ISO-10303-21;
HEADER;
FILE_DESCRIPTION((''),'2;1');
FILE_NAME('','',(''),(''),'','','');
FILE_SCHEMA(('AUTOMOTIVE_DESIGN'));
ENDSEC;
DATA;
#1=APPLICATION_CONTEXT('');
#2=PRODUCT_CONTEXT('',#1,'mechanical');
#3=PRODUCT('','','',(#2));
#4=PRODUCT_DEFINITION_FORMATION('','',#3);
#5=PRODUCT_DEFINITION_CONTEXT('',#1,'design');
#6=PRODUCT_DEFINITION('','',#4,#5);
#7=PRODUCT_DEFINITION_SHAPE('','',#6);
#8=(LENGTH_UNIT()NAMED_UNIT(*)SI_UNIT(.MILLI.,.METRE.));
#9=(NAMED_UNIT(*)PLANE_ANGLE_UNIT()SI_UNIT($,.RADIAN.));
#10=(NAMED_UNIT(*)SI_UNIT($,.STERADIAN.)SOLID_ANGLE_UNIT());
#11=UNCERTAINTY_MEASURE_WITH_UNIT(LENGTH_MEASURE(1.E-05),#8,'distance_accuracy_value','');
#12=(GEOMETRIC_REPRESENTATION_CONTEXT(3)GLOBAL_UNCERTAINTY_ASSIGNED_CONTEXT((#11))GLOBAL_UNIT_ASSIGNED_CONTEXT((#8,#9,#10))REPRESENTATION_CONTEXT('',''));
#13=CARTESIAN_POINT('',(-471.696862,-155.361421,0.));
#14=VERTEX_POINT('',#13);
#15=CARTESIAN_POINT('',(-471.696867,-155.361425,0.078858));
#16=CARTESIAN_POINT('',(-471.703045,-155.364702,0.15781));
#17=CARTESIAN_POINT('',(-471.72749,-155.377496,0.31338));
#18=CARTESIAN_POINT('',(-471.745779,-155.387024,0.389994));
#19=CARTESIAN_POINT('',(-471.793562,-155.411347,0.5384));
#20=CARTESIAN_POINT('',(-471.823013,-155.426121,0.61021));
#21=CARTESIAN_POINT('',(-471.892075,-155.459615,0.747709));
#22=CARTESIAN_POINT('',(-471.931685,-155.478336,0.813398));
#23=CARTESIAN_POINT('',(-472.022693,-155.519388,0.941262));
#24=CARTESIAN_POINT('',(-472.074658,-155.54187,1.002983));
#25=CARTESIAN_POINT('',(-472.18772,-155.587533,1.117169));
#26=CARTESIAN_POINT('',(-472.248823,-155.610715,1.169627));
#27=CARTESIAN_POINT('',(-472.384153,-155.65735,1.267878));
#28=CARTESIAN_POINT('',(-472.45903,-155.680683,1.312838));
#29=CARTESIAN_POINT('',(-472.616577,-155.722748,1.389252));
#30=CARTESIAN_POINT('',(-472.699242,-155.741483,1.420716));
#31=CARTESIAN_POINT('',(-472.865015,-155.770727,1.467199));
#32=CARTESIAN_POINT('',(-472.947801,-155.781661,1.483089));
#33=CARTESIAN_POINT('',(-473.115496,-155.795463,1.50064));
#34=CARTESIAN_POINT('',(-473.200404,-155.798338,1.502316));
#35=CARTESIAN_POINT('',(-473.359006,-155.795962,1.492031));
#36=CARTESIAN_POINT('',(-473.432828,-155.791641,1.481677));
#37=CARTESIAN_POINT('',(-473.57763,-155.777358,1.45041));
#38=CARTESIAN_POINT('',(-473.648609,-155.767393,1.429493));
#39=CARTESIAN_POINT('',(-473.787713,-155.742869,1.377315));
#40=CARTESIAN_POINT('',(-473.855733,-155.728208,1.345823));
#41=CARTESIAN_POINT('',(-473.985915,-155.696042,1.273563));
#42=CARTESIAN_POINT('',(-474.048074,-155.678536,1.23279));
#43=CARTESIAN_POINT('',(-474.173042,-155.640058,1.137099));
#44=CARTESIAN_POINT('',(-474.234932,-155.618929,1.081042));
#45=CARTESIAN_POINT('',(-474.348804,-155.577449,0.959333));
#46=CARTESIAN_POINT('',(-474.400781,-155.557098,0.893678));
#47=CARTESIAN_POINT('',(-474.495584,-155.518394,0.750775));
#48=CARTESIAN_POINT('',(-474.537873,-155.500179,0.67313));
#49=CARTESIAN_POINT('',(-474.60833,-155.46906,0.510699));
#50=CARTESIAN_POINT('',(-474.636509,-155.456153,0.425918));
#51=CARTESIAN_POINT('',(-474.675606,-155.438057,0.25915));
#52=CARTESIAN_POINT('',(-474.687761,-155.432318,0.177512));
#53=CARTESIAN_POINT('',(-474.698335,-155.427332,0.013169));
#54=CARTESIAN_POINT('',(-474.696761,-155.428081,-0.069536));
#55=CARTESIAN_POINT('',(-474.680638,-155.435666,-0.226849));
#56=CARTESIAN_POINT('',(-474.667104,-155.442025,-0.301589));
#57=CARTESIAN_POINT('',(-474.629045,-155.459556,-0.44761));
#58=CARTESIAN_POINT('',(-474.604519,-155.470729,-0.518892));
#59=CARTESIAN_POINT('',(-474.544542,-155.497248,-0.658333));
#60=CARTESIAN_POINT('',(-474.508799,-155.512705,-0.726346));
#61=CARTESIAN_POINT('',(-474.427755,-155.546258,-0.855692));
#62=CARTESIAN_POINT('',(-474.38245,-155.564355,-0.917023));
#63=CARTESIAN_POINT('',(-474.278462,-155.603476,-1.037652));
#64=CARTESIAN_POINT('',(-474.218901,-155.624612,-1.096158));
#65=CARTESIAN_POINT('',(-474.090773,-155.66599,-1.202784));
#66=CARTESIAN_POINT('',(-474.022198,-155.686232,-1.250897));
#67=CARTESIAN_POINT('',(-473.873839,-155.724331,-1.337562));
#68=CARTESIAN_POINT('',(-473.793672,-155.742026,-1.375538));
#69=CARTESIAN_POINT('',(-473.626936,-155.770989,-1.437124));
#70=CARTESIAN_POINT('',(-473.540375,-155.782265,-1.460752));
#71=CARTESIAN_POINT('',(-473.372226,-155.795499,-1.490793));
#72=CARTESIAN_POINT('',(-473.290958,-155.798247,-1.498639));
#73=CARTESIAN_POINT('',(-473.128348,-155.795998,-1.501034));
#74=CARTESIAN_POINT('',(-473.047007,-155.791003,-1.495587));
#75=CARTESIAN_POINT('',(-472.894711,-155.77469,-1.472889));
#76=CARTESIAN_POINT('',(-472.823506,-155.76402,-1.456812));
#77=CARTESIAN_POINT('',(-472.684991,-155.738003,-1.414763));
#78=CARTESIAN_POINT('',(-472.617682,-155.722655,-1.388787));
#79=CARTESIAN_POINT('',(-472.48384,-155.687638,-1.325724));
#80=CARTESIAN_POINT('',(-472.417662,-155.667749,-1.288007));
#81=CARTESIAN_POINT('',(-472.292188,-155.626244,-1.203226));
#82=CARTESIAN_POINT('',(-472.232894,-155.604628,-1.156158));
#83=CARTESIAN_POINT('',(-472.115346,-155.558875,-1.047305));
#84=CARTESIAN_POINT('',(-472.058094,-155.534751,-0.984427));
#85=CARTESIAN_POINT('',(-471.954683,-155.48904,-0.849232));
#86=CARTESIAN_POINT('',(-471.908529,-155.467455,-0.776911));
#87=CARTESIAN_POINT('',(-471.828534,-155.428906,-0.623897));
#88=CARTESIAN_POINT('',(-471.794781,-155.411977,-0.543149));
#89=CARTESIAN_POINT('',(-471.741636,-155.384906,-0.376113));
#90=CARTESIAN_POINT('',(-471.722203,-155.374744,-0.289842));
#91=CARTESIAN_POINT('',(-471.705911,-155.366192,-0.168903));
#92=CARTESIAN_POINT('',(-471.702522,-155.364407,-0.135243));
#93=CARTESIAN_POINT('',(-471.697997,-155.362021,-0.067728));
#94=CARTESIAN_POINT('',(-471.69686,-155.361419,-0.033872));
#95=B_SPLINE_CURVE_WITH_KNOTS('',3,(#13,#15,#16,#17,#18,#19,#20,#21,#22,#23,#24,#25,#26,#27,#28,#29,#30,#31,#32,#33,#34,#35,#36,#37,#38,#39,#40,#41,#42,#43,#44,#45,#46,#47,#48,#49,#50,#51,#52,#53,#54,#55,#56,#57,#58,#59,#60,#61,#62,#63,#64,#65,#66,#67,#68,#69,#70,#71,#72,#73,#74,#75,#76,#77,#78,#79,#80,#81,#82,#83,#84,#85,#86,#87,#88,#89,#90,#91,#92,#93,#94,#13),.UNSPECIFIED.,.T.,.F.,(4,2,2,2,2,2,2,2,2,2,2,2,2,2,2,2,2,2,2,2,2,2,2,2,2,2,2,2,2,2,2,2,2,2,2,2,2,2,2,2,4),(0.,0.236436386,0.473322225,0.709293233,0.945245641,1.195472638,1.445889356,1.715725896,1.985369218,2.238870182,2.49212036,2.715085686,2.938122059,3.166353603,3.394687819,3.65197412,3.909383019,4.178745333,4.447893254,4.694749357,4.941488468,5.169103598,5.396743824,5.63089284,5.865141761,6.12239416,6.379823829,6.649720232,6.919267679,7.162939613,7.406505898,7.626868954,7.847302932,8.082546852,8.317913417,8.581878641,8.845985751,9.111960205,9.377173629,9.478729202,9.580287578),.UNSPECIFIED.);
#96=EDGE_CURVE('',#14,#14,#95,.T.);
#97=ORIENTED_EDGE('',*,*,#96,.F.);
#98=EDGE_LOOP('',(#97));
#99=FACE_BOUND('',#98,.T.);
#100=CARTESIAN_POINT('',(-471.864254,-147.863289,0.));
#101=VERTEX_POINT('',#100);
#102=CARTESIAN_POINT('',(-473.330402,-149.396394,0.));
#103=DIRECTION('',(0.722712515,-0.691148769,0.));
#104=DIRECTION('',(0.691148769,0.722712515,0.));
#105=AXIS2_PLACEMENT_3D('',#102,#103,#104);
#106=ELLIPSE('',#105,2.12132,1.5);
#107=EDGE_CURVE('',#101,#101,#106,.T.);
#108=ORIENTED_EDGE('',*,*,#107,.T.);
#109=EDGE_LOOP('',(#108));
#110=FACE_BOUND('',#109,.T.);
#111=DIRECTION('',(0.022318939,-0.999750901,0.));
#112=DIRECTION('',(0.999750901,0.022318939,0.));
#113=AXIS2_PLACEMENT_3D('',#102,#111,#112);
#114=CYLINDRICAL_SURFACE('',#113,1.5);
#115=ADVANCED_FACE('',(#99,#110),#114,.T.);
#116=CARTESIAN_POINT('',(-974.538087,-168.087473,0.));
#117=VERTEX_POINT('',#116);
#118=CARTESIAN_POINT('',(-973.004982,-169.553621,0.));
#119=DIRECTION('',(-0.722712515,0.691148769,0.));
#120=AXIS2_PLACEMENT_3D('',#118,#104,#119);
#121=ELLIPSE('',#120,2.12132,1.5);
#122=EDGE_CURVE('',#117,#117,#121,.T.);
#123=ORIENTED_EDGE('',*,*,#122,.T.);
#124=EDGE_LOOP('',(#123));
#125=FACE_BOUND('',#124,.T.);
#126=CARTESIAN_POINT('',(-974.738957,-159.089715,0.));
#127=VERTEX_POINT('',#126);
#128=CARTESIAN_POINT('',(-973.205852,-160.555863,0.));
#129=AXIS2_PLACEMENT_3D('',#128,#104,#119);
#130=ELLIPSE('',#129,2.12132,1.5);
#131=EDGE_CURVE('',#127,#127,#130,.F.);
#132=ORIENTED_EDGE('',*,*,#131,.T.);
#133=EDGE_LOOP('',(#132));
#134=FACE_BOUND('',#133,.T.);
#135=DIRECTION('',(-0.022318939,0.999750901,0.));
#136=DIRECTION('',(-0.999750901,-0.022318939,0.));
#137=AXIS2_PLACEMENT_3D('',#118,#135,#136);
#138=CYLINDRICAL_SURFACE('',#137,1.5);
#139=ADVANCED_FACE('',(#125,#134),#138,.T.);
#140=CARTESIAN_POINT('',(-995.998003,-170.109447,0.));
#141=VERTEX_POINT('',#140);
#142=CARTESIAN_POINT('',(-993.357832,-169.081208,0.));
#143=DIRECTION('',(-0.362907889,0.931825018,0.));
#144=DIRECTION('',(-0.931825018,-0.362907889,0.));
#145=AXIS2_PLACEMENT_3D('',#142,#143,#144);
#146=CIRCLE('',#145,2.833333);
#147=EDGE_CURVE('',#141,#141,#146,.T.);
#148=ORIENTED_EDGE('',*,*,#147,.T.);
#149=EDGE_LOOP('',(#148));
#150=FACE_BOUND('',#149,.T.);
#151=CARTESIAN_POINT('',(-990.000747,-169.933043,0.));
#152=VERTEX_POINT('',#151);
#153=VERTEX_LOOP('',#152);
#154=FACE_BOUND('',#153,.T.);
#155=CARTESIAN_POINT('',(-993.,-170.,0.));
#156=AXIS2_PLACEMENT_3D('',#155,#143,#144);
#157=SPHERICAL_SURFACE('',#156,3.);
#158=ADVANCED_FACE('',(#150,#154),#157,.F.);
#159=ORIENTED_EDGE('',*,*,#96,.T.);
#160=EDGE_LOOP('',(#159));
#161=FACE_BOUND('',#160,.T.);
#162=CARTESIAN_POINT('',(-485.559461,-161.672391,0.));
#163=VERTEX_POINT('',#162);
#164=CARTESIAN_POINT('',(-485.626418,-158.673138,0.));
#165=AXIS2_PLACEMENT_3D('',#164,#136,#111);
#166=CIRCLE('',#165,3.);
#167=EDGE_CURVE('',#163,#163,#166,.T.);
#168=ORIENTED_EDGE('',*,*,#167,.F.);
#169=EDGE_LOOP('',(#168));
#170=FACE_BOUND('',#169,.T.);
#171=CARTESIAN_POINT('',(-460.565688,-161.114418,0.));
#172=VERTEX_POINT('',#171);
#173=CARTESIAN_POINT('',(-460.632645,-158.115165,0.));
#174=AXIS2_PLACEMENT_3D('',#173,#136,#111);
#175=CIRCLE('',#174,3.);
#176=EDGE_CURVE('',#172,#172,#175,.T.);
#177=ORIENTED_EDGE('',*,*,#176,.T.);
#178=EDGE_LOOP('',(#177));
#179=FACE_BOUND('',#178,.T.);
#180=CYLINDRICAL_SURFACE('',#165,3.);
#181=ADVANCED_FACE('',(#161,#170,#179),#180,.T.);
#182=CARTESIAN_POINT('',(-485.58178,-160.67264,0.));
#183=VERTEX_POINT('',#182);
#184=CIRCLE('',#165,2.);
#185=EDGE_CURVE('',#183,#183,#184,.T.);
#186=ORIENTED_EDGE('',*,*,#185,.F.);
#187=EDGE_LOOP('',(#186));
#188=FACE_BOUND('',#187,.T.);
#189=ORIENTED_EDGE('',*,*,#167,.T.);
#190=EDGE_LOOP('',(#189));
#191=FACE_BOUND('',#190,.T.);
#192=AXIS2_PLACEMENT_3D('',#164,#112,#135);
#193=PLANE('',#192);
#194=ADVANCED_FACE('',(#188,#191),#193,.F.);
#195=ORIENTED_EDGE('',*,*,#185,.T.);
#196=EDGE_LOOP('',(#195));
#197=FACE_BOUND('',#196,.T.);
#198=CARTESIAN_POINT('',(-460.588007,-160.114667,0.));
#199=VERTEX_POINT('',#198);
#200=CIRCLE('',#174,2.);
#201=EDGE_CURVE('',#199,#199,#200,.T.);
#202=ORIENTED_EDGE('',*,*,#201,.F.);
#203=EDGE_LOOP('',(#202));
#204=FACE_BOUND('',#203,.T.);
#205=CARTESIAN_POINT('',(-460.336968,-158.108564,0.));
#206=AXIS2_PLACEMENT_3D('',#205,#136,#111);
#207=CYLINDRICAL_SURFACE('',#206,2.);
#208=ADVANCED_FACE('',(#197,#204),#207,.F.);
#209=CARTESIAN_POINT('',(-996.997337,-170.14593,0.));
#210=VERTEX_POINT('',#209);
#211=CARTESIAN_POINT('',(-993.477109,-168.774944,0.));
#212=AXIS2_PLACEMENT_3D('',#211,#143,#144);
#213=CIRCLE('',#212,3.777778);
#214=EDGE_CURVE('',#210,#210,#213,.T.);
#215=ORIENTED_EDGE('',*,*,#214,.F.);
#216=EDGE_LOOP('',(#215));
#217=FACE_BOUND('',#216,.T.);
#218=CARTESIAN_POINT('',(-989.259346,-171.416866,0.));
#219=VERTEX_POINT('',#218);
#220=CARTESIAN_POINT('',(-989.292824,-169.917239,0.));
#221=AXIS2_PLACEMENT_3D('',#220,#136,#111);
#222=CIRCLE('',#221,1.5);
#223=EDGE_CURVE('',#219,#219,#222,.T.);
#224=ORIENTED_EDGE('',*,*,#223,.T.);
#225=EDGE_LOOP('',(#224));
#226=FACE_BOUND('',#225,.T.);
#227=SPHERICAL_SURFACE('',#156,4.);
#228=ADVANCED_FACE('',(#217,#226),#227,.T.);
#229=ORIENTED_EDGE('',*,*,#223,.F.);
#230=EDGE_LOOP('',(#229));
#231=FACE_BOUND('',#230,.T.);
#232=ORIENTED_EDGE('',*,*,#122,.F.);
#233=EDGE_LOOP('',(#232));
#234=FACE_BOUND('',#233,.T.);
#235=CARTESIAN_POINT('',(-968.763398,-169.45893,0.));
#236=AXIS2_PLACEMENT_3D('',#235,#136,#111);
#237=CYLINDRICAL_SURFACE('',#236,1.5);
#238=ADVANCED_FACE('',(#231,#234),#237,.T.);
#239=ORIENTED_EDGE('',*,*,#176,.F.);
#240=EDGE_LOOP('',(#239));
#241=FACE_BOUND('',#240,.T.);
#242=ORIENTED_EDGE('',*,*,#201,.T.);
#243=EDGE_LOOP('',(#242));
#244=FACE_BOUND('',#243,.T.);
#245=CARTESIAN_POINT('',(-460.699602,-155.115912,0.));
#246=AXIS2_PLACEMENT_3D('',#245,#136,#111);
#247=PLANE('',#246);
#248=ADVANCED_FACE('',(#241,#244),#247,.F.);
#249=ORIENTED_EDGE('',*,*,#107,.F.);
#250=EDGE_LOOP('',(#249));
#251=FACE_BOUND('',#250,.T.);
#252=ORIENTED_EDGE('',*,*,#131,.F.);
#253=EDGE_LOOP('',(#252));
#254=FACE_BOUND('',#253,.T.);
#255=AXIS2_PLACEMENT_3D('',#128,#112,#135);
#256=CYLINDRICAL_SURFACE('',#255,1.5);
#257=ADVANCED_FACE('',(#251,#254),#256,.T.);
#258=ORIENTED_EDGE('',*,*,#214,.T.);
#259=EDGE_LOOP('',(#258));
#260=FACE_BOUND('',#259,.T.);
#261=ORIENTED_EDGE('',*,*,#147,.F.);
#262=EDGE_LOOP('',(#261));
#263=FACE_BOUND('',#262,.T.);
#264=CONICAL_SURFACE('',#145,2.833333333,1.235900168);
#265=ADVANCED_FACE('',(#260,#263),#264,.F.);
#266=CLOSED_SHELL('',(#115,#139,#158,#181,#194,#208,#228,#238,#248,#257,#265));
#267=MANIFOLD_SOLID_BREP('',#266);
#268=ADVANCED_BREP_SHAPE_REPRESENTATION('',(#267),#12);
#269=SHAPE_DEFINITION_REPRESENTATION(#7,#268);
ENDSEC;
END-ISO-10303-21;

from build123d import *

# Parameters (mm, degrees)
ESQUISSE5_R             = 1.5
ESQUISSE6_R             = 2
ENL_V_MAT_EXTRU_1_DEPTH = 527.198947189


with BuildPart() as part:
    # Esquisse3 → Révolution1 (revolve)
    with BuildSketch(Plane.XY, mode=Mode.PRIVATE) as r_volution1_sk:
        Polygon((-485.626417511, -158.673138472), (-485.693374328, -155.673885767), (-460.699601791, -155.115912293), (-460.632644974, -158.115164997), align=None)
    revolve(r_volution1_sk.sketch.rotate(Axis((-485.626417511, -158.673138472, 0), (0.9997509014565378, 0.022318938972096858, 0)), 180), axis=Axis((-485.626417511, -158.673138472, 0), (0.9997509014565378, 0.022318938972096858, 0)))

    # Balayage1: sweep along a path in Esquisse4
    with BuildLine(Plane.XY) as balayage1_path:
        Line((-990.000747296, -169.933043183), (-973.004981971, -169.553621221))
        Line((-973.004981971, -169.553621221), (-973.205852422, -160.555863107))
        Line((-973.205852422, -160.555863107), (-473.330401693, -149.396393621))
        Line((-473.330401693, -149.396393621), (-473.129531243, -158.394151735))
    # Esquisse5 → Balayage1 (sweep)
    with BuildSketch(Plane(origin=(-990.000747296, -169.933043183, 0), x_dir=(0, 0, -1), z_dir=(0.9997509014565377, 0.022318938972097663, 0))):
        Circle(ESQUISSE5_R)
    sweep(path=balayage1_path.line, transition=Transition.RIGHT)

    # Esquisse6 → Enlèv. mat.-Extru.1 (cut, through all)
    with BuildSketch(Plane(origin=(-488.92504391, -10.915007129, 0), x_dir=(0, 0, 1), z_dir=(-0.9997509014565378, -0.02231893897209691, 0))):
        with Locations(Location((0, -147.794946848, 0), (0, 0, 270))):
            Circle(ESQUISSE6_R)
    extrude(amount=-ENL_V_MAT_EXTRU_1_DEPTH, mode=Mode.SUBTRACT)

    # Esquisse7 → Révol.-Mince2 (revolve)
    with BuildSketch(Plane.XY, mode=Mode.PRIVATE) as r_vol_mince2_sk:
        with BuildLine():
            ThreePointArc((-991.911276333, -172.795475054), (-990.090729249, -170.732218342), (-990.71766112, -168.052969123))
            Line((-990.71766112, -168.052969123), (-989.956881493, -167.403958831))
            ThreePointArc((-989.956881493, -167.403958831), (-989.120972333, -170.976291122), (-991.548368445, -173.727300072))
            Line((-991.548368445, -173.727300072), (-991.911276333, -172.795475054))
        make_face()
    revolve(r_vol_mince2_sk.sketch.rotate(Axis((-994.088723667, -167.204524946, 0), (0.3629078888619865, -0.9318250180166533, 0)), 180), axis=Axis((-994.088723667, -167.204524946, 0), (0.3629078888619865, -0.9318250180166533, 0)))


solid = part.part
